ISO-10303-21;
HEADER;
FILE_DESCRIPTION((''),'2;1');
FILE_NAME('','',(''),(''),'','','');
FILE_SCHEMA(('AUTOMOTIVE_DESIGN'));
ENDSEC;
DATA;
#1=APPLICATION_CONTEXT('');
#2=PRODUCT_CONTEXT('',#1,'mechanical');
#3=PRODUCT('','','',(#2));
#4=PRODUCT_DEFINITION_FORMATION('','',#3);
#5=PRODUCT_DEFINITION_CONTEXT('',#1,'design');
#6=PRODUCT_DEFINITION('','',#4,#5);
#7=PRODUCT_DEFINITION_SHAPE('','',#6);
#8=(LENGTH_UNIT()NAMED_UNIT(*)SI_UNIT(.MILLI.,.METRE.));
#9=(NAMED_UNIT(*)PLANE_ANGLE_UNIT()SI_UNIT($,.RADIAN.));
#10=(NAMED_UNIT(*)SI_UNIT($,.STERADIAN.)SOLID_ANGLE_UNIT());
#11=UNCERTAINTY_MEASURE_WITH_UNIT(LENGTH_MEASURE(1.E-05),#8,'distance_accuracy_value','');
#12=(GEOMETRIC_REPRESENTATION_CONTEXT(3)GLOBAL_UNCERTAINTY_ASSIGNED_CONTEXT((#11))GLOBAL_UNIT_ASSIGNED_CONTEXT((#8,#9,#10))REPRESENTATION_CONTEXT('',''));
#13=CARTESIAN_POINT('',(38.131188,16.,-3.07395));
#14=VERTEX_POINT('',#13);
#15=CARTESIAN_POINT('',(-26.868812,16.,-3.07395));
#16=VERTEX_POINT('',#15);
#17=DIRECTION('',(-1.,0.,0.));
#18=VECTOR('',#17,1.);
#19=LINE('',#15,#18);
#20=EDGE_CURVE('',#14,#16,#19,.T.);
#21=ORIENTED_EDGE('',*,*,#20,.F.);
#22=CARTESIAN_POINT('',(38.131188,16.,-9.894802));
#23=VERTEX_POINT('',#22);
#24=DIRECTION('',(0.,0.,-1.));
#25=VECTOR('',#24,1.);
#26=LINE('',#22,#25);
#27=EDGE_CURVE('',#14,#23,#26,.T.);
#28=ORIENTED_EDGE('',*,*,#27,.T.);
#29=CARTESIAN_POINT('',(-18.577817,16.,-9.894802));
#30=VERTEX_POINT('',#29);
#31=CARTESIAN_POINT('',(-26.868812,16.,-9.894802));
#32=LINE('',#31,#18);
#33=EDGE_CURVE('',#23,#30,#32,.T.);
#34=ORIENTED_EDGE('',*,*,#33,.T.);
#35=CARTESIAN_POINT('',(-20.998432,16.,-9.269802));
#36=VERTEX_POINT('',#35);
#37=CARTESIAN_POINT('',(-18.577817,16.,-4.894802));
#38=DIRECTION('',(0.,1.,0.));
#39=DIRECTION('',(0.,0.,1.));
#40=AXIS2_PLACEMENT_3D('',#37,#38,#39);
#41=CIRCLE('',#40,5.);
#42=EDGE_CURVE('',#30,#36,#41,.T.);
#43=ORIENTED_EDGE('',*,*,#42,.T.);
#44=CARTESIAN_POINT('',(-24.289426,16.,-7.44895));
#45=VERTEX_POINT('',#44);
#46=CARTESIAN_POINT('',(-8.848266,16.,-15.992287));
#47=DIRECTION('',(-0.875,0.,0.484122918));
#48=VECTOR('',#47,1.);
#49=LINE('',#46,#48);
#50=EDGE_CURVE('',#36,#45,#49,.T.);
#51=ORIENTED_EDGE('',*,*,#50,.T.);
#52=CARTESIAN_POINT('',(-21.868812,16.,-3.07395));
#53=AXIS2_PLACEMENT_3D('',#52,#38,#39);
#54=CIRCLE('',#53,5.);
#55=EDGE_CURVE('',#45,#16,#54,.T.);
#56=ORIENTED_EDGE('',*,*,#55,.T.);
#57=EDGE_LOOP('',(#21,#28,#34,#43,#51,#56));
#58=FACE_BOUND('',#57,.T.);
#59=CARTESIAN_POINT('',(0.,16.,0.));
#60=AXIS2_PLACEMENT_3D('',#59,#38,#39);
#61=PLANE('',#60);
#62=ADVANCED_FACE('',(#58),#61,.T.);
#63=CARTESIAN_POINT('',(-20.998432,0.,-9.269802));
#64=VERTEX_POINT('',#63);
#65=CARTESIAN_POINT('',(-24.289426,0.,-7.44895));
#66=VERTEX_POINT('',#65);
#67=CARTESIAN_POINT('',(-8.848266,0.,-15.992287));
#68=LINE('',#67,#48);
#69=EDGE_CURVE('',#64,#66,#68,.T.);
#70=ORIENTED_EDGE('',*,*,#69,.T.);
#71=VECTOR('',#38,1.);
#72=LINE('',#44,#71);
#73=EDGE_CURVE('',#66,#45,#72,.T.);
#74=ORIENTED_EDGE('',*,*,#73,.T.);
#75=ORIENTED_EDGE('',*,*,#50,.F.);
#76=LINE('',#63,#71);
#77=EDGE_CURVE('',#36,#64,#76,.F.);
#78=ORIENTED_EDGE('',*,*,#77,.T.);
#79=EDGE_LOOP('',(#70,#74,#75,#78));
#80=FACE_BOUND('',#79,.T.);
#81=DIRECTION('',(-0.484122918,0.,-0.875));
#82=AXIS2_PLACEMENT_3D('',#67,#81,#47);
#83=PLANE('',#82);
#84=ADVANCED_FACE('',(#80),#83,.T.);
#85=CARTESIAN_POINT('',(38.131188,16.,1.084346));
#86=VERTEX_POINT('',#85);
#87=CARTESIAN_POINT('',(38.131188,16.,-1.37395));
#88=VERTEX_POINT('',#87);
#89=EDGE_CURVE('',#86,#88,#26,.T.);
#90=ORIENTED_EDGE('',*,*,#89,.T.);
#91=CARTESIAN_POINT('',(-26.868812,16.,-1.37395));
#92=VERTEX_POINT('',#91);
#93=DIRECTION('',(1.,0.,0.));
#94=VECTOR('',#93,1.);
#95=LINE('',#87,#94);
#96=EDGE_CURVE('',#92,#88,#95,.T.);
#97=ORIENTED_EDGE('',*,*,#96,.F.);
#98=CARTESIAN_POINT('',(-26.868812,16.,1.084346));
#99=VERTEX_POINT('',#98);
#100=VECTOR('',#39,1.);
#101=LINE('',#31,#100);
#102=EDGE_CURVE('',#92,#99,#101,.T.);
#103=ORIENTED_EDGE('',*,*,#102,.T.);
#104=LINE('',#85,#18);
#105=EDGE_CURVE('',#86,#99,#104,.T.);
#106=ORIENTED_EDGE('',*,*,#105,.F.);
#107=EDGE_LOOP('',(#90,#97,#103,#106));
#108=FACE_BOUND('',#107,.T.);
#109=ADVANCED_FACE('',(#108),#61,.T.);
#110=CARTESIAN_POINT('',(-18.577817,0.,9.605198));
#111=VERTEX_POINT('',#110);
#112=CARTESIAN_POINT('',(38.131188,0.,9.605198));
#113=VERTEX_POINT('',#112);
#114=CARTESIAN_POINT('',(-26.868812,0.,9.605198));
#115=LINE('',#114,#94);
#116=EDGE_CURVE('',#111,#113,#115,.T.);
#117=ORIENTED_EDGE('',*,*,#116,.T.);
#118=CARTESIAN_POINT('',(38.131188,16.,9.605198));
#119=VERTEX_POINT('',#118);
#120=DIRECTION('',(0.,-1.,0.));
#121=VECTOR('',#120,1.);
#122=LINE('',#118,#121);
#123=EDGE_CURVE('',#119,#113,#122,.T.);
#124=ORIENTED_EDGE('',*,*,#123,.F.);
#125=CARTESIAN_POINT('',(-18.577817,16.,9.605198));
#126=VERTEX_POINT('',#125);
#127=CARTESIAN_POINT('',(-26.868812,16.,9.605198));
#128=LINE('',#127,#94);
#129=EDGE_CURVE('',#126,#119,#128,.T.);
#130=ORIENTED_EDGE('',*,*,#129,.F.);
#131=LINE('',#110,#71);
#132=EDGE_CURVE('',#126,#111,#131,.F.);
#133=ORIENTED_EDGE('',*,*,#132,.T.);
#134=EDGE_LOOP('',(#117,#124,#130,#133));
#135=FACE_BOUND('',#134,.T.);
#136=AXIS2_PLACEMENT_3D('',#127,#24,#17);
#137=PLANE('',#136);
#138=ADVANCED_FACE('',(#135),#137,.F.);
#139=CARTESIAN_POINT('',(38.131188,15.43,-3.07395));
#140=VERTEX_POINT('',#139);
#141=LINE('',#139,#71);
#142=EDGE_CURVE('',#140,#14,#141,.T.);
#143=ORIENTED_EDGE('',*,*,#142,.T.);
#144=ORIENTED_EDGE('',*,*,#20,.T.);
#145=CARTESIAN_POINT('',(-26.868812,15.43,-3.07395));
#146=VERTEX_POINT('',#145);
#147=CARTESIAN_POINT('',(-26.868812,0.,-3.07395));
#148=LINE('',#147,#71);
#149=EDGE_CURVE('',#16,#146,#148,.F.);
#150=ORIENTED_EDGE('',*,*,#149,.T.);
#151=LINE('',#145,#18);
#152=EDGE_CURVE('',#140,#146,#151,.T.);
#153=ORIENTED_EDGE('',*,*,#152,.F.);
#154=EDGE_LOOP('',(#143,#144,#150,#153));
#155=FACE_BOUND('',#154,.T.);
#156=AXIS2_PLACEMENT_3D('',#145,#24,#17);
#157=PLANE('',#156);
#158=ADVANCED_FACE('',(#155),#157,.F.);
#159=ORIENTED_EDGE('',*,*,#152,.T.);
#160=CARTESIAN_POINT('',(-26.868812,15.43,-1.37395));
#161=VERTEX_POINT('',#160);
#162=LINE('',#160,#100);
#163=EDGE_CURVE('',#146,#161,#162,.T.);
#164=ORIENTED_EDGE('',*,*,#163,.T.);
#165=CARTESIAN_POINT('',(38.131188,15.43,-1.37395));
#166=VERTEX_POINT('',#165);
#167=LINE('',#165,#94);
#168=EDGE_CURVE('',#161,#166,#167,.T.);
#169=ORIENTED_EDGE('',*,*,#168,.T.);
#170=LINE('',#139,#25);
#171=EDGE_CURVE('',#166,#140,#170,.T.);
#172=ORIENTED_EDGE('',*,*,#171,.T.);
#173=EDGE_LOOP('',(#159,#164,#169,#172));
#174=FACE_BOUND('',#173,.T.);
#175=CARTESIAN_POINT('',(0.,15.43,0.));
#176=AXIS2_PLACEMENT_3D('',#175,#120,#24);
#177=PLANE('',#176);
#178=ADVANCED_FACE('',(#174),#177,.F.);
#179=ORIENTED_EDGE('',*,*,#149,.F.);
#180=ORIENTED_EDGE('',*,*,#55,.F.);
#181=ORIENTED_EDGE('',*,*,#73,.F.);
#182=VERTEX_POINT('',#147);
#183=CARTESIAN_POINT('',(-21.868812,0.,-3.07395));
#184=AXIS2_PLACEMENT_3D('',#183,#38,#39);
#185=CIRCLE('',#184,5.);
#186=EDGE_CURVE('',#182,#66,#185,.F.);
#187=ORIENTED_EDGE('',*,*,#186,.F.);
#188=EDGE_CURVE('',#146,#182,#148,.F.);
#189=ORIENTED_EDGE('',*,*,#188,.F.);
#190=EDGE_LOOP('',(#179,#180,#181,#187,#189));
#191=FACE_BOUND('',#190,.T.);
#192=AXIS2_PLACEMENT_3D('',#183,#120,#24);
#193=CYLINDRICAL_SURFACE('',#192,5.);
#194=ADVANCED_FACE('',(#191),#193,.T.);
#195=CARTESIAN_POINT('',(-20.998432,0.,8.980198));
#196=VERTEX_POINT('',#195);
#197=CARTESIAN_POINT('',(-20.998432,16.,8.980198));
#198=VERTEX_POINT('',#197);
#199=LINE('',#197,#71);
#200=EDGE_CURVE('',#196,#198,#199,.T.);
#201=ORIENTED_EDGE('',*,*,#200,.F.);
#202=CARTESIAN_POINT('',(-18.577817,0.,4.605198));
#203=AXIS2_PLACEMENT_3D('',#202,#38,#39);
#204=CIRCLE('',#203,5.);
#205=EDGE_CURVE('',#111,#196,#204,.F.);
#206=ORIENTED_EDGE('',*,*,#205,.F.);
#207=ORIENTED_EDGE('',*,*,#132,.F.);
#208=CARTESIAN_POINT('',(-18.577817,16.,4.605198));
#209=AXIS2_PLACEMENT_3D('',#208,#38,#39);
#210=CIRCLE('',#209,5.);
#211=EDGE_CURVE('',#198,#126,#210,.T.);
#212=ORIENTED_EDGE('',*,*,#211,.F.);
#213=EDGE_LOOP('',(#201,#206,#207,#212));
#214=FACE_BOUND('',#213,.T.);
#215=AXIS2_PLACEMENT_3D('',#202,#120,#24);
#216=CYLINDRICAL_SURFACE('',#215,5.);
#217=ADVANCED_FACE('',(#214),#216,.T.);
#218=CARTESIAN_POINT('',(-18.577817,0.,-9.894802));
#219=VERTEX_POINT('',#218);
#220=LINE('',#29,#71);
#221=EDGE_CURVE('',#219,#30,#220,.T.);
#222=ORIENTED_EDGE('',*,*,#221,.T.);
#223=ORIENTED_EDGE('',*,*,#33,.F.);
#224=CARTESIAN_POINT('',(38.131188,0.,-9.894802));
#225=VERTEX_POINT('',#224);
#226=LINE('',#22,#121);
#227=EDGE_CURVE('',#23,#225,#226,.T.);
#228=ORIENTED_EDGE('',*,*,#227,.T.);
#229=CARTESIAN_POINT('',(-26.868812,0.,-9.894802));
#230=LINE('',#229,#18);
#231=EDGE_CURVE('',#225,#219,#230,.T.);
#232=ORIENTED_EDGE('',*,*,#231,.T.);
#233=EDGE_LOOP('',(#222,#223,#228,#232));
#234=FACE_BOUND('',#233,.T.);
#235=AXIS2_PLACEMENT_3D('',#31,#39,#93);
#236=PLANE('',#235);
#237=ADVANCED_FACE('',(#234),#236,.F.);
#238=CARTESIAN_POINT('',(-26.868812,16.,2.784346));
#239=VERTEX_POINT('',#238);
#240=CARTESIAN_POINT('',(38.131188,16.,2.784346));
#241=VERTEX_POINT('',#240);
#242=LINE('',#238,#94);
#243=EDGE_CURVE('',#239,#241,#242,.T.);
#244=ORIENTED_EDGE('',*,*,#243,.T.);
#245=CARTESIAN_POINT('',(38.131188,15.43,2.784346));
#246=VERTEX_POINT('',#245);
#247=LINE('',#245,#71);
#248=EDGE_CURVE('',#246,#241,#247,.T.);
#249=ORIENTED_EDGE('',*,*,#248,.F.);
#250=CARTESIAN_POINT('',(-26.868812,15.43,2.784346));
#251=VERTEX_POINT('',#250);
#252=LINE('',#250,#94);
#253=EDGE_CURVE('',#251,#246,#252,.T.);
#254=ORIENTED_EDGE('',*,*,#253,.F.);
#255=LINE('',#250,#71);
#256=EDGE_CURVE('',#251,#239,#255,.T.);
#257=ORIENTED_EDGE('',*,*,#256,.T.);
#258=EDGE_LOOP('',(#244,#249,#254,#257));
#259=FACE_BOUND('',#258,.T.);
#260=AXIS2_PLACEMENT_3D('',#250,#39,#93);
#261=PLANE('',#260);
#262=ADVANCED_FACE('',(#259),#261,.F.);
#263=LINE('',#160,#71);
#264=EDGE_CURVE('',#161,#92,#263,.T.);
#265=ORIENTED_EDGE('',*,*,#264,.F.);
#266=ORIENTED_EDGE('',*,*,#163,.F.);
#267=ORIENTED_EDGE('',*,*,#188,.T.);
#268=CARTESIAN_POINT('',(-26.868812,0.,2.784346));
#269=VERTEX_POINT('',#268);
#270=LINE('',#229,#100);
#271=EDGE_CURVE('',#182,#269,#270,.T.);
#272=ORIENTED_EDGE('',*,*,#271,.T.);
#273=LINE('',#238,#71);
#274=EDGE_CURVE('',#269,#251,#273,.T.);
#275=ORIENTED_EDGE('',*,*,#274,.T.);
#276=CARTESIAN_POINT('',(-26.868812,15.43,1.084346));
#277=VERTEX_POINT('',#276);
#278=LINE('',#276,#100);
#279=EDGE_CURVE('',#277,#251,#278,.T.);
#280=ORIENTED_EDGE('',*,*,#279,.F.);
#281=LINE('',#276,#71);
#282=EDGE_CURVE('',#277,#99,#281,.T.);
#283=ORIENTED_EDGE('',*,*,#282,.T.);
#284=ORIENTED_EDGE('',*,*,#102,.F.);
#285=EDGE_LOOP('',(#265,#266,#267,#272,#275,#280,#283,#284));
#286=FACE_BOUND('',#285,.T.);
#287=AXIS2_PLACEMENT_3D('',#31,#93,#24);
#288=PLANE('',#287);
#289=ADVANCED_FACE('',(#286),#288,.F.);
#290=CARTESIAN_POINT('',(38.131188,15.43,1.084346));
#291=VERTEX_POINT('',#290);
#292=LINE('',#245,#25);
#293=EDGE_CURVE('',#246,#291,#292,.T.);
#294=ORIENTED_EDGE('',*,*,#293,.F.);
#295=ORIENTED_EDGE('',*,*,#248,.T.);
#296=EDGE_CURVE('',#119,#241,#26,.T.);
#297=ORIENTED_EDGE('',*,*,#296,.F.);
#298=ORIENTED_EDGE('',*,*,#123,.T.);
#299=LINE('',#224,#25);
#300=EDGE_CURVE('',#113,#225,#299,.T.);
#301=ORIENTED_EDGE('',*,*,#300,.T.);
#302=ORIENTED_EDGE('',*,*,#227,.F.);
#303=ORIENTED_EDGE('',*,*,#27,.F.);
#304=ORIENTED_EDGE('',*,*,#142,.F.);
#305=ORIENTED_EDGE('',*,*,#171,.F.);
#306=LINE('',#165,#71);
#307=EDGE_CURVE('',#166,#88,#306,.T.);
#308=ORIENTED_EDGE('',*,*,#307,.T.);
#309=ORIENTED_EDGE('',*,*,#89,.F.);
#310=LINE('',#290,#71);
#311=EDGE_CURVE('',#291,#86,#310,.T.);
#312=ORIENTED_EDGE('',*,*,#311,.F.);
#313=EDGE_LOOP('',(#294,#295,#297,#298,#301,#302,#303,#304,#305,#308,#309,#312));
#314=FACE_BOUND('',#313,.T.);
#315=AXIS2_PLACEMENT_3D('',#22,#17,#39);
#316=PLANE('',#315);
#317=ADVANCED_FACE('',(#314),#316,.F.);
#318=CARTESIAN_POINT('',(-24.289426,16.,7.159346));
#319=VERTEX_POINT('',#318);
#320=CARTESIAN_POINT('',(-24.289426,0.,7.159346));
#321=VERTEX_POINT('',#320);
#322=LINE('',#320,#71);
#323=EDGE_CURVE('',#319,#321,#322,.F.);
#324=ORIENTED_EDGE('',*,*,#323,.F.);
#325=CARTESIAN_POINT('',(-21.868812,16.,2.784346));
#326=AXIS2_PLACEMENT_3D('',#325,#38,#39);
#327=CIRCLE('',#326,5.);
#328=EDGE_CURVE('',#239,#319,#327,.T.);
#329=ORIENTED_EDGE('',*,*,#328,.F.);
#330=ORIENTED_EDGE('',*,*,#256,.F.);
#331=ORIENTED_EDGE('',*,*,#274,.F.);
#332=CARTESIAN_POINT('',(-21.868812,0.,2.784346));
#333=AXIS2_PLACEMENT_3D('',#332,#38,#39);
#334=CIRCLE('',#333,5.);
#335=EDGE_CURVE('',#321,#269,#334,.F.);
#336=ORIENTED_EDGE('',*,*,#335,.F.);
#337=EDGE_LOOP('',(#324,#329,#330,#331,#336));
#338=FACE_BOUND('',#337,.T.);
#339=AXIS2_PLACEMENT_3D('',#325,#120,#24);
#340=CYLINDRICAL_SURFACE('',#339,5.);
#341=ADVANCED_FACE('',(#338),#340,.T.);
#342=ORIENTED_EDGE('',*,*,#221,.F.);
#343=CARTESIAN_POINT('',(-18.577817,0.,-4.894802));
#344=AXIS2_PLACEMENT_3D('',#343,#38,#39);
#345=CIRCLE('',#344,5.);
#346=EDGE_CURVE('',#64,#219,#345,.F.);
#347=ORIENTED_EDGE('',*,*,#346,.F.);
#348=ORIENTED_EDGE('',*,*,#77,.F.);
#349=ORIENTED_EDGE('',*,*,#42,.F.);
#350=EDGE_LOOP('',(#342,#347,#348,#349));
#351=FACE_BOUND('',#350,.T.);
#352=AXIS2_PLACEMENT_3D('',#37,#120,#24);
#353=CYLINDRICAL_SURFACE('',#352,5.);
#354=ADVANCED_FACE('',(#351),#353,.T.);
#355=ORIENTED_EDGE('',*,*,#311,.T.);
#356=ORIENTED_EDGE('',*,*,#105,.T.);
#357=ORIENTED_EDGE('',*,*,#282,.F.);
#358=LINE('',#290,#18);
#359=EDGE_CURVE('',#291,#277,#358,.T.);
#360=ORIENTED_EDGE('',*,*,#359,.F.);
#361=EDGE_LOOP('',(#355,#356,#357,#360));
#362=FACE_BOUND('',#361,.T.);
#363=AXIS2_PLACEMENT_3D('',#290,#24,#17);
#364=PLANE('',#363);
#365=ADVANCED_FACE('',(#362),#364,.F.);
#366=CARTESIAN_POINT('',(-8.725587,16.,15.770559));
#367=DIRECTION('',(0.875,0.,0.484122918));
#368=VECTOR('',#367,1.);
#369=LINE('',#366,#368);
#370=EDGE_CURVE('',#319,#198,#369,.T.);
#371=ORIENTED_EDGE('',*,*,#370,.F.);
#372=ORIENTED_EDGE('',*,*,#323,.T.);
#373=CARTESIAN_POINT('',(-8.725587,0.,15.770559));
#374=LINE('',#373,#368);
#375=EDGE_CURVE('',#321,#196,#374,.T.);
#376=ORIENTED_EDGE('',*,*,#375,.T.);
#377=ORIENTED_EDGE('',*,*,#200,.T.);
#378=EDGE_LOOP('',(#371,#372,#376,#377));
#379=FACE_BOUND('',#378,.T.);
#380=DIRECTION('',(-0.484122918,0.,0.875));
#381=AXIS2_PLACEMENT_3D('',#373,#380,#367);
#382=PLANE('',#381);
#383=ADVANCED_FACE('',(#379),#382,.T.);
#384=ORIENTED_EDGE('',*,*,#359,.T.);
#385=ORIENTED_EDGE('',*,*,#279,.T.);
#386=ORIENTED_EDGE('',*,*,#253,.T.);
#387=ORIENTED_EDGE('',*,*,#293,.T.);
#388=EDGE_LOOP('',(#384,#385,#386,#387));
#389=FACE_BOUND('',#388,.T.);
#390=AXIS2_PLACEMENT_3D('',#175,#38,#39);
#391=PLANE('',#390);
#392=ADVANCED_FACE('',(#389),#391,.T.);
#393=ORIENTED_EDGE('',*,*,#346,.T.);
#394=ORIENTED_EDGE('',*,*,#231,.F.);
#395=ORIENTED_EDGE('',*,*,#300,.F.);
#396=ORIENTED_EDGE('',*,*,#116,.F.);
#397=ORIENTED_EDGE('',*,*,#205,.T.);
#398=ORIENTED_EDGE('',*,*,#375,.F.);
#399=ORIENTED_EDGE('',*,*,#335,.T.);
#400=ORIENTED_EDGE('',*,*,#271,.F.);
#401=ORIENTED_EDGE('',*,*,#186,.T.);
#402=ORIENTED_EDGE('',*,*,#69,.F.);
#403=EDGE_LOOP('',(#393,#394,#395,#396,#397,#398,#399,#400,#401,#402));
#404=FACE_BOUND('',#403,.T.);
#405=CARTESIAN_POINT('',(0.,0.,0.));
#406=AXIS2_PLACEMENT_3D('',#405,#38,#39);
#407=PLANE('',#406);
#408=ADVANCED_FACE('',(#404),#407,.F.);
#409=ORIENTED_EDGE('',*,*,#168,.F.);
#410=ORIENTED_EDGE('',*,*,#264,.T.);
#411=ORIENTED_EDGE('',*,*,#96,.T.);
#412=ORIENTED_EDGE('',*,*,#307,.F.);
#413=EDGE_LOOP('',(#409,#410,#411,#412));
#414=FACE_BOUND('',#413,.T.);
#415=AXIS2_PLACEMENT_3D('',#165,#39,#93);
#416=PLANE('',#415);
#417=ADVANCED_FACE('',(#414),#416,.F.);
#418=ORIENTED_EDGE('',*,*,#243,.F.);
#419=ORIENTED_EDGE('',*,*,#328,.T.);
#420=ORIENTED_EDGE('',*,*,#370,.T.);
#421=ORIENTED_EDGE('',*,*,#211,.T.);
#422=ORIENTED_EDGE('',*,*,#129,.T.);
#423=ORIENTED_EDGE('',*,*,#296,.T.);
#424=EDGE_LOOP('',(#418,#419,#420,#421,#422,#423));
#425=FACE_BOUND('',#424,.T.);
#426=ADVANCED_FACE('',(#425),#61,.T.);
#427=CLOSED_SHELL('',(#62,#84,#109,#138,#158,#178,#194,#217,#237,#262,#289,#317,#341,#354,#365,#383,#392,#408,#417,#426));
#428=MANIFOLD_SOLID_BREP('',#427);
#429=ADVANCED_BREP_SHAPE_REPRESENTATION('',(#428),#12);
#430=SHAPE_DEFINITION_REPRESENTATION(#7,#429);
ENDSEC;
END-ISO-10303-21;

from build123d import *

# Parameters (mm, degrees)
CROQUIS1_W              = 65
CROQUIS1_H              = 19.5
SALIENTE_EXTRUIR1_DEPTH = 16
CORTAR_EXTRUIR1_DEPTH   = 16
REDONDEO1_R             = 5
CROQUIS4_W              = 65
CROQUIS4_H              = 1.7
CORTAR_EXTRUIR2_DEPTH   = 0.57


with BuildPart() as part:
    # Croquis1 → Saliente-Extruir1 (new body)
    with BuildSketch(Plane(origin=(0, 0, 0), x_dir=(1, 0, 0), z_dir=(0, 1, 0))):
        with Locations((5.631188119, 0.14480198)):
            Rectangle(CROQUIS1_W, CROQUIS1_H)
    extrude(amount=SALIENTE_EXTRUIR1_DEPTH)

    # Croquis2 → Cortar-Extruir1 (cut)
    with BuildSketch(Plane(origin=(0, 16, 0), x_dir=(1, 0, 0), z_dir=(0, 1, 0))):
        Polygon((-26.868811881, 6.021818634), (-19.868811881, 9.89480198), (-26.868811881, 9.89480198), align=None)
        Polygon((-26.868811881, -9.60519802), (-19.868811881, -9.60519802), (-26.868811881, -5.732214674), align=None)
    extrude(amount=-CORTAR_EXTRUIR1_DEPTH, mode=Mode.SUBTRACT)

    # Redondeo1
    redondeo1_edges = [part.edges().sort_by_distance(p)[0] for p in [
        (-19.868811881, 8, -9.89480198),
        (-26.868811881, 8, -6.021818634),
        (-26.868811881, 8, 5.732214674),
        (-19.868811881, 8, 9.60519802),
    ]]
    fillet(redondeo1_edges, radius=REDONDEO1_R)

    # Croquis4 → Cortar-Extruir2 (cut)
    with BuildSketch(Plane(origin=(0, 16, 0), x_dir=(1, 0, 0), z_dir=(0, 1, 0))):
        with Locations((5.631188119, 2.223949596)):
            Rectangle(CROQUIS4_W, CROQUIS4_H)
        with Locations((5.631188119, -1.934345635)):
            Rectangle(CROQUIS4_W, CROQUIS4_H)
    extrude(amount=-CORTAR_EXTRUIR2_DEPTH, mode=Mode.SUBTRACT)


solid = part.part
